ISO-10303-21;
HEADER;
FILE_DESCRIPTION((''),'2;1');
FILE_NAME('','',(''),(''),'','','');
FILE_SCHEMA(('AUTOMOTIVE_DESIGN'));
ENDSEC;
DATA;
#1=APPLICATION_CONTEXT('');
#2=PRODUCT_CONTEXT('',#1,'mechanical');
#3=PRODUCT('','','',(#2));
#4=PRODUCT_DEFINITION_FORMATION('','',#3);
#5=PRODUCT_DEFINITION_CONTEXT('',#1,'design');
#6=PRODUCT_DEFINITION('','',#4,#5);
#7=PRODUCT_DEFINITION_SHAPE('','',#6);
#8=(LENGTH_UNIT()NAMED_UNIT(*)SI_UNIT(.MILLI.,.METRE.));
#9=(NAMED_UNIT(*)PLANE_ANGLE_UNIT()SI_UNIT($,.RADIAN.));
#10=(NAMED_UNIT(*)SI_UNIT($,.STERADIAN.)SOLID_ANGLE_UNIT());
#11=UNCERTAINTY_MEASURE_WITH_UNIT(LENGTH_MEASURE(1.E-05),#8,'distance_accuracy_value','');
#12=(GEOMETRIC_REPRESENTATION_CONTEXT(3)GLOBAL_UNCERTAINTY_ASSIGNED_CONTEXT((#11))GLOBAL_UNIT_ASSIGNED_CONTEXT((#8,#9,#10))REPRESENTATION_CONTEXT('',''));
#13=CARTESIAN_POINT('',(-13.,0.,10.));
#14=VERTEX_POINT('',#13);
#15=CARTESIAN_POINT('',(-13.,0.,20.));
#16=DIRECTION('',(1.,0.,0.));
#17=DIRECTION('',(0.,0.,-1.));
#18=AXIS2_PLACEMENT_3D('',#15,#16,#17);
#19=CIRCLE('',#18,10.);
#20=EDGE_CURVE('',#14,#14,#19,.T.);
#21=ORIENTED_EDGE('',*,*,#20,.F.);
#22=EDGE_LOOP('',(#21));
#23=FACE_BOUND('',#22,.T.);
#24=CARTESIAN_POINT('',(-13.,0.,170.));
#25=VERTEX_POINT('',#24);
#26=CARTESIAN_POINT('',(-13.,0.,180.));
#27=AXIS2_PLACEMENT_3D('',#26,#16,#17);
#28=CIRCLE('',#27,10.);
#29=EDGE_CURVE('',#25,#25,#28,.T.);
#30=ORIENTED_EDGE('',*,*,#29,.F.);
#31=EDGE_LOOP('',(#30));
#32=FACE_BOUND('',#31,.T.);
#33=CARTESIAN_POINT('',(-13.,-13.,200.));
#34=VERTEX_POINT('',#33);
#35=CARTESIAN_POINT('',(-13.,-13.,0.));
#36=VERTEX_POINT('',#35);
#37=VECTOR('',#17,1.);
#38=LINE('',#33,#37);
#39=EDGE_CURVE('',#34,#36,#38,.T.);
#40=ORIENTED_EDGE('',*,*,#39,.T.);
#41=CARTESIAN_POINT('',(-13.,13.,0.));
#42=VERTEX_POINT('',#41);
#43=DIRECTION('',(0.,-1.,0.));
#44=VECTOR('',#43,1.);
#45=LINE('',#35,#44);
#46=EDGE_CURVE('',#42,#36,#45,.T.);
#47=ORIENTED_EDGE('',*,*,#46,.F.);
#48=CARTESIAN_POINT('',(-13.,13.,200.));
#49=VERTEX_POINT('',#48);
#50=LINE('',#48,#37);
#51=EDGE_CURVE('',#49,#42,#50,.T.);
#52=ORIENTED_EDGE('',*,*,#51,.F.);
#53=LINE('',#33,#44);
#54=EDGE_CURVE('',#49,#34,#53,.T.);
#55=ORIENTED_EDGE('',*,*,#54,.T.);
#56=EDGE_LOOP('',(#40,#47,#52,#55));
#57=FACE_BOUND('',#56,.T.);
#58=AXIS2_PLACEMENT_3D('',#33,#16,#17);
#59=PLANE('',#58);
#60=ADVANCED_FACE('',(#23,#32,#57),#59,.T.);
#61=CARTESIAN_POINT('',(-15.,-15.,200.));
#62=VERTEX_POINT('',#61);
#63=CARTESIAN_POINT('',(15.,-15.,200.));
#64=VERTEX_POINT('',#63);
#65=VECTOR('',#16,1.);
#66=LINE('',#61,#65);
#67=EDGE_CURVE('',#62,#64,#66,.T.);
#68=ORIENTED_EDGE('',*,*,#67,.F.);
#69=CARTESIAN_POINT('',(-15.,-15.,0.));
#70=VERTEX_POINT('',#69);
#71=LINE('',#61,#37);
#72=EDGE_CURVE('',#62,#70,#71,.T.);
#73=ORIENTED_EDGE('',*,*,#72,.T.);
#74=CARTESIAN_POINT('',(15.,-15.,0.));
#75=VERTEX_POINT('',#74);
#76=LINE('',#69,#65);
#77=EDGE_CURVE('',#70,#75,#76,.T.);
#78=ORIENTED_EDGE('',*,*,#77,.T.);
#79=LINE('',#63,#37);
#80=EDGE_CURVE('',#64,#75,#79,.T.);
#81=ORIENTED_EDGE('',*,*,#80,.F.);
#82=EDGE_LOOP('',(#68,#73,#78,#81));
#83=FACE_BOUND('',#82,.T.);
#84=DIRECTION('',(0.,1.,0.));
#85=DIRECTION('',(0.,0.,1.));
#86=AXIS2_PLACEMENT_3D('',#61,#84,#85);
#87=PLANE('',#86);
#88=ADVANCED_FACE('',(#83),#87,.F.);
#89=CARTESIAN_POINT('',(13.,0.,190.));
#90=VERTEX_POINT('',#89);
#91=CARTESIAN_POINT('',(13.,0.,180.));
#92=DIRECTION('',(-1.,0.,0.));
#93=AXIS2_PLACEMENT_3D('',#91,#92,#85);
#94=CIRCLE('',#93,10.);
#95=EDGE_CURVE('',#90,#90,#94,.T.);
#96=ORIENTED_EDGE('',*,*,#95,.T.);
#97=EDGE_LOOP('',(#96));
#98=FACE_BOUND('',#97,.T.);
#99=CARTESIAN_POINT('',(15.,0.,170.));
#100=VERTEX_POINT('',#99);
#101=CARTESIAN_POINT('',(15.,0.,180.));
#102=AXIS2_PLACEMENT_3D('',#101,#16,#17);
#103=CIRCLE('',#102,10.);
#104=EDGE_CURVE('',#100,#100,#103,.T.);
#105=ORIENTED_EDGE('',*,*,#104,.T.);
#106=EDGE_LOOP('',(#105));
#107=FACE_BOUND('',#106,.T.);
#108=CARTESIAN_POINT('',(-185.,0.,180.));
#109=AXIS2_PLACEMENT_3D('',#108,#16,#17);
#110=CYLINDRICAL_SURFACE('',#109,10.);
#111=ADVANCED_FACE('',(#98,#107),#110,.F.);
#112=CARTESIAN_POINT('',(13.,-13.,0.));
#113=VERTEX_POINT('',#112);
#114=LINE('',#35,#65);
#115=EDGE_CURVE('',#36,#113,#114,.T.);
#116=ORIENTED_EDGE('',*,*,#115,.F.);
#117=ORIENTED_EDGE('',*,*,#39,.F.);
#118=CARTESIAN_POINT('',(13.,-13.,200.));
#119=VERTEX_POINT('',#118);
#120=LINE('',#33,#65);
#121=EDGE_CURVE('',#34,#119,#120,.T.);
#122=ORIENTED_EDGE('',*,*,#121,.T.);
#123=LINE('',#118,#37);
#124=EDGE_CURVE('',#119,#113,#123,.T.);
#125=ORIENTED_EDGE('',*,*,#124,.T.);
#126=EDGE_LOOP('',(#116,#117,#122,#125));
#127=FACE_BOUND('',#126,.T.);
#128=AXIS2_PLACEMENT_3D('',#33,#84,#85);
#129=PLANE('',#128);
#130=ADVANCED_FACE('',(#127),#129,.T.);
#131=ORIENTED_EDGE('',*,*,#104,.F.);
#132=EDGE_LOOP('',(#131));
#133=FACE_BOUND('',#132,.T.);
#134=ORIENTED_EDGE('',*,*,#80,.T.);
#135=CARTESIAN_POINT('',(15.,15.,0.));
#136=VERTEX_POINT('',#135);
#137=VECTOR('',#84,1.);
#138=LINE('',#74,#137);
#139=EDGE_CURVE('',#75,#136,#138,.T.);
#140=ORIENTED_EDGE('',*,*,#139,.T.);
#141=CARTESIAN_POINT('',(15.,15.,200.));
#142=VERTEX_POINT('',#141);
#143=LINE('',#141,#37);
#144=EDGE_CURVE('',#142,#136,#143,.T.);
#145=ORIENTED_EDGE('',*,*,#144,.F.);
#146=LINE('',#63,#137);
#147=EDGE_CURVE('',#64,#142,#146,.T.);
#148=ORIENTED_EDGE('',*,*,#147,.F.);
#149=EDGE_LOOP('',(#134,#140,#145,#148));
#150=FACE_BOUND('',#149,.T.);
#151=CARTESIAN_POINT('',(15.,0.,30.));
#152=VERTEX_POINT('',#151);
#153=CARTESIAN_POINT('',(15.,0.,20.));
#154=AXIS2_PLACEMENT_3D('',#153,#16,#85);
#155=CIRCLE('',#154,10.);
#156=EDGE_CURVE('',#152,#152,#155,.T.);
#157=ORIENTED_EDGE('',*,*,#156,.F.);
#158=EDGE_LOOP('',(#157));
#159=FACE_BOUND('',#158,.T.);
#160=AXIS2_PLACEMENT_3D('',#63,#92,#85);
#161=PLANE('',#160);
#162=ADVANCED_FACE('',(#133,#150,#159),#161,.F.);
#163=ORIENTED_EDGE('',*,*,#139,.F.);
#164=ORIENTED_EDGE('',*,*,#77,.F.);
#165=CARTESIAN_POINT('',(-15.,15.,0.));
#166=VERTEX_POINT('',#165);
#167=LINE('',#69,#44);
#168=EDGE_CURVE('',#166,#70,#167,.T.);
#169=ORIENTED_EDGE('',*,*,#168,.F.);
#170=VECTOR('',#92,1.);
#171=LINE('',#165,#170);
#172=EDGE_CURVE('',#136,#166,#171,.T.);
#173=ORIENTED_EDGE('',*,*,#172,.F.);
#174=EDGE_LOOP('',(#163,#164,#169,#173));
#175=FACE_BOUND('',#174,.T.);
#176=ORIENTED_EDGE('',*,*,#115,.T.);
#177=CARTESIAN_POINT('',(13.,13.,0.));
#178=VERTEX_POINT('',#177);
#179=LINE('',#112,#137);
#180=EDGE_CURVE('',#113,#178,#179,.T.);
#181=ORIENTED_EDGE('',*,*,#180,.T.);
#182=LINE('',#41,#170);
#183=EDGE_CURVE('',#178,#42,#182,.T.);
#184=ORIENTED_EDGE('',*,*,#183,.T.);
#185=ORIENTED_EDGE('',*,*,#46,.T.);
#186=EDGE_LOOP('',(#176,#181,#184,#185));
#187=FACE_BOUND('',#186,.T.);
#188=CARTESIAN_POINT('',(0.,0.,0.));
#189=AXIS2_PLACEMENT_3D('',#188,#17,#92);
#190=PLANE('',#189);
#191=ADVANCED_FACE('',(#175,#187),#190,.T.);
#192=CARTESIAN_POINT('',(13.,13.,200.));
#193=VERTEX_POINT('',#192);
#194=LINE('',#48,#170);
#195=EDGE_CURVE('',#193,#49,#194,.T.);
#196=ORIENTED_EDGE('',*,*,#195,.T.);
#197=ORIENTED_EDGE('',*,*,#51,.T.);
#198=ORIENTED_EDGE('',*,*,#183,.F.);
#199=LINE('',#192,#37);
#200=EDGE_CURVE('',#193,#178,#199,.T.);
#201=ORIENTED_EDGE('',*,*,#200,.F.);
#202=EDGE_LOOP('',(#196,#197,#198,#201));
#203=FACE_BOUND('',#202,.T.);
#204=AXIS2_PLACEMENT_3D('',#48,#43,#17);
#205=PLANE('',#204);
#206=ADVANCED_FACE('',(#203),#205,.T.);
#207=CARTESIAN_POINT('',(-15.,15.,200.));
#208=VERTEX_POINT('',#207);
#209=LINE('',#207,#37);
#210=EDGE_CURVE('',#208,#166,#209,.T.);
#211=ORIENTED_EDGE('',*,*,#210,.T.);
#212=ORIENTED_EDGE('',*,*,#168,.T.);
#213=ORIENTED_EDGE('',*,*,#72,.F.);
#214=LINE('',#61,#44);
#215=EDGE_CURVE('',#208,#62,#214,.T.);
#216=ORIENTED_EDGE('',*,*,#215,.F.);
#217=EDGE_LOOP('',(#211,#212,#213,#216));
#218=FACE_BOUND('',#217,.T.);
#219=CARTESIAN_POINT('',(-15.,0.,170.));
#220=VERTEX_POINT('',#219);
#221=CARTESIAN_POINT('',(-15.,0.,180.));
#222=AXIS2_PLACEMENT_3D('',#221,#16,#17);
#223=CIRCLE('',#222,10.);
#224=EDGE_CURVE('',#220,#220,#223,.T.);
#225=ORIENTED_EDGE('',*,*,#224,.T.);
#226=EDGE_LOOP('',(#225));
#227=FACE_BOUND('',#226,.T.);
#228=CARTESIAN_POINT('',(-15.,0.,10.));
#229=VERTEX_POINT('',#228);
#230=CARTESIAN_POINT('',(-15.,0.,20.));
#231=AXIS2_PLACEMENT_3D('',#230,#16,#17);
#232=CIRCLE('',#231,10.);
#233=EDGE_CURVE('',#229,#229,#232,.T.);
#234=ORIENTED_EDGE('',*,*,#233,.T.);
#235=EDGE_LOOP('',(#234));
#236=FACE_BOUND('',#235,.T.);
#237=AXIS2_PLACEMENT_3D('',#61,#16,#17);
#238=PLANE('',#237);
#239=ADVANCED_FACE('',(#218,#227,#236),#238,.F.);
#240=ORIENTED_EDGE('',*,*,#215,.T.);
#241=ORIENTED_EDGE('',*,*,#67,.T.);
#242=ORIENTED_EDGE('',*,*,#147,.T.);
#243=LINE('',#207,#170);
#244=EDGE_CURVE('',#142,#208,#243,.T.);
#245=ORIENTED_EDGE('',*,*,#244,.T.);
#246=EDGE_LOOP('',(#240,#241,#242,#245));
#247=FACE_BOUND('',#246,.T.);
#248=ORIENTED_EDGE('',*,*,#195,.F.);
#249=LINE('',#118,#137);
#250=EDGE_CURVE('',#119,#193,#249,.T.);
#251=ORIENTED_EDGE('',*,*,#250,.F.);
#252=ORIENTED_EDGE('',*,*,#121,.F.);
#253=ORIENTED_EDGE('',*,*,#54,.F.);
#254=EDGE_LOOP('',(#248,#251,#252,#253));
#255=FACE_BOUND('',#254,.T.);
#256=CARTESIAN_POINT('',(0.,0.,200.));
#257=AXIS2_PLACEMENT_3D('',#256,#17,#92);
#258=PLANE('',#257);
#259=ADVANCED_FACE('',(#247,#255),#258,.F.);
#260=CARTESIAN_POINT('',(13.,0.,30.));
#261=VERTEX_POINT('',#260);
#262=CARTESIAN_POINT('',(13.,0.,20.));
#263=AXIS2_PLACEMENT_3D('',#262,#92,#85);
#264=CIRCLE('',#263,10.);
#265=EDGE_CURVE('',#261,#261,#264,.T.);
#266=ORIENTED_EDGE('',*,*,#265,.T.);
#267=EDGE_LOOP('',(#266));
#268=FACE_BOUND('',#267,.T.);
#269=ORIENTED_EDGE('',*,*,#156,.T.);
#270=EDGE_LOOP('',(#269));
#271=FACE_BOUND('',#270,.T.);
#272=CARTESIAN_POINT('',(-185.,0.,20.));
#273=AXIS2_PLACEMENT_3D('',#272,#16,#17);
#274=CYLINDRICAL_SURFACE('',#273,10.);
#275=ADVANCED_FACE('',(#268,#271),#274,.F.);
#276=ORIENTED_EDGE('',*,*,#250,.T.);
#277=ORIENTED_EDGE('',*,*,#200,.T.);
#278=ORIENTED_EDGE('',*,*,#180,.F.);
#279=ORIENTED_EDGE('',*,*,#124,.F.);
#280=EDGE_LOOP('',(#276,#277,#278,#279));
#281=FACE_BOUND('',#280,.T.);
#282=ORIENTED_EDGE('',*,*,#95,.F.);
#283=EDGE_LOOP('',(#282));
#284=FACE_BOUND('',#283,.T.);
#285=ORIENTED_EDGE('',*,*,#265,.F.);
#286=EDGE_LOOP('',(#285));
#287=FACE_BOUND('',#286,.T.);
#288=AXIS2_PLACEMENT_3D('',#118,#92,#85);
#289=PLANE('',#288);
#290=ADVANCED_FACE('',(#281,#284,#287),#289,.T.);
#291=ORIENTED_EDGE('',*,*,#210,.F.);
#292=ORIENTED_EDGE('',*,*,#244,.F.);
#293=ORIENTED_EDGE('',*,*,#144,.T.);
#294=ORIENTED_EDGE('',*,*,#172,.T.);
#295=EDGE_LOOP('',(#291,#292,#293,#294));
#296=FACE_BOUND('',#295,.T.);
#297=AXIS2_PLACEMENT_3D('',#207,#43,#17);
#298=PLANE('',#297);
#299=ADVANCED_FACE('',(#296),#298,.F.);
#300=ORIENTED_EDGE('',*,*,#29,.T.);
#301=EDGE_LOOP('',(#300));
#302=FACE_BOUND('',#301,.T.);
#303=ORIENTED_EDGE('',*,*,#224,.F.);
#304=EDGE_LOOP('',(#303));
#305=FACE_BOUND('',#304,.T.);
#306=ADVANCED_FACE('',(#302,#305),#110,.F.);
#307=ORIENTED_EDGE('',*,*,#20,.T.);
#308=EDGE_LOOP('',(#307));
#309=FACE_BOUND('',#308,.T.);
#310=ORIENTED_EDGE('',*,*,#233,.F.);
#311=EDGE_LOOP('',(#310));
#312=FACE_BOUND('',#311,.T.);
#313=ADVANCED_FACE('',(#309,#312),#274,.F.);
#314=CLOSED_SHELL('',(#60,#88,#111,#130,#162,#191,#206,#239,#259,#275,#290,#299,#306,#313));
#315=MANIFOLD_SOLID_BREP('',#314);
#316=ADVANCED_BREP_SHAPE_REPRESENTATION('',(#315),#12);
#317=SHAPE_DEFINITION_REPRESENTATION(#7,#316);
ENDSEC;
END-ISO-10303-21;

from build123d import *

# Parameters (mm, degrees)
SKETCH1_W           = 30
SKETCH1_H           = 30
SKETCH1_W_2         = 26
SKETCH1_H_2         = 26
BOSS_EXTRUDE1_DEPTH = 200
SKETCH2_R           = 10
CUT_EXTRUDE1_DEPTH  = 200


with BuildPart() as part:
    # Sketch1 → Boss-Extrude1 (new body)
    with BuildSketch(Plane.XY):
        Rectangle(SKETCH1_W, SKETCH1_H)
        Rectangle(SKETCH1_W_2, SKETCH1_H_2, mode=Mode.SUBTRACT)
    extrude(amount=BOSS_EXTRUDE1_DEPTH)

    # Sketch2 → Cut-Extrude1 (cut)
    with BuildSketch(Plane(origin=(15, 0, 0), x_dir=(0, 0, -1), z_dir=(1, 0, 0))):
        with Locations((-180, 0)):
            Circle(SKETCH2_R)
        with Locations((-20, 0)):
            Circle(SKETCH2_R)
    extrude(amount=-CUT_EXTRUDE1_DEPTH, mode=Mode.SUBTRACT)


solid = part.part
